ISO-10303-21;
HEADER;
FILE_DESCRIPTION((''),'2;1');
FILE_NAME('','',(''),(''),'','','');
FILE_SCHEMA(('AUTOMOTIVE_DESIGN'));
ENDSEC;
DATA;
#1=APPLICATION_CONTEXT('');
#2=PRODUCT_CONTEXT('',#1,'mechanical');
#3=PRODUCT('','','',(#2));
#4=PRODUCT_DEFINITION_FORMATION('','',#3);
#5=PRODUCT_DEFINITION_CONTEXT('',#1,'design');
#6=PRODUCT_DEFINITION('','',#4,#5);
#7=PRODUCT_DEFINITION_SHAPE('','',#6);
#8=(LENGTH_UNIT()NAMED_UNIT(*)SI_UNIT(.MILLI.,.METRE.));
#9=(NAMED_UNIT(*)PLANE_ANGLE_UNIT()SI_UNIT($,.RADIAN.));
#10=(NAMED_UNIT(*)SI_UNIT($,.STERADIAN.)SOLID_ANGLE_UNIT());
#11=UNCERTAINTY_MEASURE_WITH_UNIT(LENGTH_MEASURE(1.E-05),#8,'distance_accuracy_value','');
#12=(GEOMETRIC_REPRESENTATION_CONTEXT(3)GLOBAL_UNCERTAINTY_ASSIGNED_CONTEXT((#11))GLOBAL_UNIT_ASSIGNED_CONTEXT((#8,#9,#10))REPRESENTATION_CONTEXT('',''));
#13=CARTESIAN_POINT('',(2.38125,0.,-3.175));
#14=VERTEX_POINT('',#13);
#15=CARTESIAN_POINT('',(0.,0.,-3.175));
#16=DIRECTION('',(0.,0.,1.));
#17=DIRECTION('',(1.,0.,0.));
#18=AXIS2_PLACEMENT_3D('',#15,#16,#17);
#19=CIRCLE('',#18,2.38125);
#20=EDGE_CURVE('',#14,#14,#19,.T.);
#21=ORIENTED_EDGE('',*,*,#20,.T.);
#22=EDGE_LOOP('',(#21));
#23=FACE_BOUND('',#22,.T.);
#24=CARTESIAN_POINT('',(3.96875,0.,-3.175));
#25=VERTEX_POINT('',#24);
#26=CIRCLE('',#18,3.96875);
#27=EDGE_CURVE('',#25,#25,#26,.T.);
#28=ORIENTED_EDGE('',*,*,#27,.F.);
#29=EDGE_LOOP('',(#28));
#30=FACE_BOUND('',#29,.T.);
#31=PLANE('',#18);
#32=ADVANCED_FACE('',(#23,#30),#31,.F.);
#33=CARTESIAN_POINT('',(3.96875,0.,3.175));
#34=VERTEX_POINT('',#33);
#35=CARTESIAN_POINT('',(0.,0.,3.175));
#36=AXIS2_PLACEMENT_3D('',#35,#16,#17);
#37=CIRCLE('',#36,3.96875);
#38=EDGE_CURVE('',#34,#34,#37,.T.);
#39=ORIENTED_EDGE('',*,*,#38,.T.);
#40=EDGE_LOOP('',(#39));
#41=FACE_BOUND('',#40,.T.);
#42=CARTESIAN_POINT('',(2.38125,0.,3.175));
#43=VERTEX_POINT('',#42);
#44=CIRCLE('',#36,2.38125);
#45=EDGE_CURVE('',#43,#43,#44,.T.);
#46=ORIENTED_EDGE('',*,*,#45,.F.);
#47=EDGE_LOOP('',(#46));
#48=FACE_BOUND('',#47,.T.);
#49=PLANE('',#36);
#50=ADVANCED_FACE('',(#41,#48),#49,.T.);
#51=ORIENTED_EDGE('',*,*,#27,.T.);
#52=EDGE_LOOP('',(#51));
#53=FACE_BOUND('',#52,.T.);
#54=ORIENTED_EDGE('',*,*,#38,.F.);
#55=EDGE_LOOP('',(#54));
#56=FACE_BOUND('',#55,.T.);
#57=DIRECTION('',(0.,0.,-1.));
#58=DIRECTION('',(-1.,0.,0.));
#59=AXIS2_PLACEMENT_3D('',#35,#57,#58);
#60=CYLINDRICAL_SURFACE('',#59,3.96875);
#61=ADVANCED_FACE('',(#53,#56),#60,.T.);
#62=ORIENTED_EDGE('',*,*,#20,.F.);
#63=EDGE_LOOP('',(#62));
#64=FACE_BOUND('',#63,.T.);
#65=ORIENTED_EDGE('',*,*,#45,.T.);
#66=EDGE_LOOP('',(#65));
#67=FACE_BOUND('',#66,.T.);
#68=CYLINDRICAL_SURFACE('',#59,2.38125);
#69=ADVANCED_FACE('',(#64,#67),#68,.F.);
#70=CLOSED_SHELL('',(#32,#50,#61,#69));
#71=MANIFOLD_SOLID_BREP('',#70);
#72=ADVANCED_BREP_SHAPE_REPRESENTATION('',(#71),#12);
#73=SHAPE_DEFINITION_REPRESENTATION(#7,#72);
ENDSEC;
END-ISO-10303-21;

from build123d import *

# Parameters (mm, degrees)
SKETCH1_R      = 3.96875
SKETCH1_R_2    = 2.38125
EXTRUDE1_DEPTH = 3.175


with BuildPart() as part:
    # Sketch1 → Extrude1 (new body, symmetric)
    with BuildSketch(Plane.XY):
        Circle(SKETCH1_R)
        Circle(SKETCH1_R_2, mode=Mode.SUBTRACT)
    extrude(amount=EXTRUDE1_DEPTH, both=True)


solid = part.part
